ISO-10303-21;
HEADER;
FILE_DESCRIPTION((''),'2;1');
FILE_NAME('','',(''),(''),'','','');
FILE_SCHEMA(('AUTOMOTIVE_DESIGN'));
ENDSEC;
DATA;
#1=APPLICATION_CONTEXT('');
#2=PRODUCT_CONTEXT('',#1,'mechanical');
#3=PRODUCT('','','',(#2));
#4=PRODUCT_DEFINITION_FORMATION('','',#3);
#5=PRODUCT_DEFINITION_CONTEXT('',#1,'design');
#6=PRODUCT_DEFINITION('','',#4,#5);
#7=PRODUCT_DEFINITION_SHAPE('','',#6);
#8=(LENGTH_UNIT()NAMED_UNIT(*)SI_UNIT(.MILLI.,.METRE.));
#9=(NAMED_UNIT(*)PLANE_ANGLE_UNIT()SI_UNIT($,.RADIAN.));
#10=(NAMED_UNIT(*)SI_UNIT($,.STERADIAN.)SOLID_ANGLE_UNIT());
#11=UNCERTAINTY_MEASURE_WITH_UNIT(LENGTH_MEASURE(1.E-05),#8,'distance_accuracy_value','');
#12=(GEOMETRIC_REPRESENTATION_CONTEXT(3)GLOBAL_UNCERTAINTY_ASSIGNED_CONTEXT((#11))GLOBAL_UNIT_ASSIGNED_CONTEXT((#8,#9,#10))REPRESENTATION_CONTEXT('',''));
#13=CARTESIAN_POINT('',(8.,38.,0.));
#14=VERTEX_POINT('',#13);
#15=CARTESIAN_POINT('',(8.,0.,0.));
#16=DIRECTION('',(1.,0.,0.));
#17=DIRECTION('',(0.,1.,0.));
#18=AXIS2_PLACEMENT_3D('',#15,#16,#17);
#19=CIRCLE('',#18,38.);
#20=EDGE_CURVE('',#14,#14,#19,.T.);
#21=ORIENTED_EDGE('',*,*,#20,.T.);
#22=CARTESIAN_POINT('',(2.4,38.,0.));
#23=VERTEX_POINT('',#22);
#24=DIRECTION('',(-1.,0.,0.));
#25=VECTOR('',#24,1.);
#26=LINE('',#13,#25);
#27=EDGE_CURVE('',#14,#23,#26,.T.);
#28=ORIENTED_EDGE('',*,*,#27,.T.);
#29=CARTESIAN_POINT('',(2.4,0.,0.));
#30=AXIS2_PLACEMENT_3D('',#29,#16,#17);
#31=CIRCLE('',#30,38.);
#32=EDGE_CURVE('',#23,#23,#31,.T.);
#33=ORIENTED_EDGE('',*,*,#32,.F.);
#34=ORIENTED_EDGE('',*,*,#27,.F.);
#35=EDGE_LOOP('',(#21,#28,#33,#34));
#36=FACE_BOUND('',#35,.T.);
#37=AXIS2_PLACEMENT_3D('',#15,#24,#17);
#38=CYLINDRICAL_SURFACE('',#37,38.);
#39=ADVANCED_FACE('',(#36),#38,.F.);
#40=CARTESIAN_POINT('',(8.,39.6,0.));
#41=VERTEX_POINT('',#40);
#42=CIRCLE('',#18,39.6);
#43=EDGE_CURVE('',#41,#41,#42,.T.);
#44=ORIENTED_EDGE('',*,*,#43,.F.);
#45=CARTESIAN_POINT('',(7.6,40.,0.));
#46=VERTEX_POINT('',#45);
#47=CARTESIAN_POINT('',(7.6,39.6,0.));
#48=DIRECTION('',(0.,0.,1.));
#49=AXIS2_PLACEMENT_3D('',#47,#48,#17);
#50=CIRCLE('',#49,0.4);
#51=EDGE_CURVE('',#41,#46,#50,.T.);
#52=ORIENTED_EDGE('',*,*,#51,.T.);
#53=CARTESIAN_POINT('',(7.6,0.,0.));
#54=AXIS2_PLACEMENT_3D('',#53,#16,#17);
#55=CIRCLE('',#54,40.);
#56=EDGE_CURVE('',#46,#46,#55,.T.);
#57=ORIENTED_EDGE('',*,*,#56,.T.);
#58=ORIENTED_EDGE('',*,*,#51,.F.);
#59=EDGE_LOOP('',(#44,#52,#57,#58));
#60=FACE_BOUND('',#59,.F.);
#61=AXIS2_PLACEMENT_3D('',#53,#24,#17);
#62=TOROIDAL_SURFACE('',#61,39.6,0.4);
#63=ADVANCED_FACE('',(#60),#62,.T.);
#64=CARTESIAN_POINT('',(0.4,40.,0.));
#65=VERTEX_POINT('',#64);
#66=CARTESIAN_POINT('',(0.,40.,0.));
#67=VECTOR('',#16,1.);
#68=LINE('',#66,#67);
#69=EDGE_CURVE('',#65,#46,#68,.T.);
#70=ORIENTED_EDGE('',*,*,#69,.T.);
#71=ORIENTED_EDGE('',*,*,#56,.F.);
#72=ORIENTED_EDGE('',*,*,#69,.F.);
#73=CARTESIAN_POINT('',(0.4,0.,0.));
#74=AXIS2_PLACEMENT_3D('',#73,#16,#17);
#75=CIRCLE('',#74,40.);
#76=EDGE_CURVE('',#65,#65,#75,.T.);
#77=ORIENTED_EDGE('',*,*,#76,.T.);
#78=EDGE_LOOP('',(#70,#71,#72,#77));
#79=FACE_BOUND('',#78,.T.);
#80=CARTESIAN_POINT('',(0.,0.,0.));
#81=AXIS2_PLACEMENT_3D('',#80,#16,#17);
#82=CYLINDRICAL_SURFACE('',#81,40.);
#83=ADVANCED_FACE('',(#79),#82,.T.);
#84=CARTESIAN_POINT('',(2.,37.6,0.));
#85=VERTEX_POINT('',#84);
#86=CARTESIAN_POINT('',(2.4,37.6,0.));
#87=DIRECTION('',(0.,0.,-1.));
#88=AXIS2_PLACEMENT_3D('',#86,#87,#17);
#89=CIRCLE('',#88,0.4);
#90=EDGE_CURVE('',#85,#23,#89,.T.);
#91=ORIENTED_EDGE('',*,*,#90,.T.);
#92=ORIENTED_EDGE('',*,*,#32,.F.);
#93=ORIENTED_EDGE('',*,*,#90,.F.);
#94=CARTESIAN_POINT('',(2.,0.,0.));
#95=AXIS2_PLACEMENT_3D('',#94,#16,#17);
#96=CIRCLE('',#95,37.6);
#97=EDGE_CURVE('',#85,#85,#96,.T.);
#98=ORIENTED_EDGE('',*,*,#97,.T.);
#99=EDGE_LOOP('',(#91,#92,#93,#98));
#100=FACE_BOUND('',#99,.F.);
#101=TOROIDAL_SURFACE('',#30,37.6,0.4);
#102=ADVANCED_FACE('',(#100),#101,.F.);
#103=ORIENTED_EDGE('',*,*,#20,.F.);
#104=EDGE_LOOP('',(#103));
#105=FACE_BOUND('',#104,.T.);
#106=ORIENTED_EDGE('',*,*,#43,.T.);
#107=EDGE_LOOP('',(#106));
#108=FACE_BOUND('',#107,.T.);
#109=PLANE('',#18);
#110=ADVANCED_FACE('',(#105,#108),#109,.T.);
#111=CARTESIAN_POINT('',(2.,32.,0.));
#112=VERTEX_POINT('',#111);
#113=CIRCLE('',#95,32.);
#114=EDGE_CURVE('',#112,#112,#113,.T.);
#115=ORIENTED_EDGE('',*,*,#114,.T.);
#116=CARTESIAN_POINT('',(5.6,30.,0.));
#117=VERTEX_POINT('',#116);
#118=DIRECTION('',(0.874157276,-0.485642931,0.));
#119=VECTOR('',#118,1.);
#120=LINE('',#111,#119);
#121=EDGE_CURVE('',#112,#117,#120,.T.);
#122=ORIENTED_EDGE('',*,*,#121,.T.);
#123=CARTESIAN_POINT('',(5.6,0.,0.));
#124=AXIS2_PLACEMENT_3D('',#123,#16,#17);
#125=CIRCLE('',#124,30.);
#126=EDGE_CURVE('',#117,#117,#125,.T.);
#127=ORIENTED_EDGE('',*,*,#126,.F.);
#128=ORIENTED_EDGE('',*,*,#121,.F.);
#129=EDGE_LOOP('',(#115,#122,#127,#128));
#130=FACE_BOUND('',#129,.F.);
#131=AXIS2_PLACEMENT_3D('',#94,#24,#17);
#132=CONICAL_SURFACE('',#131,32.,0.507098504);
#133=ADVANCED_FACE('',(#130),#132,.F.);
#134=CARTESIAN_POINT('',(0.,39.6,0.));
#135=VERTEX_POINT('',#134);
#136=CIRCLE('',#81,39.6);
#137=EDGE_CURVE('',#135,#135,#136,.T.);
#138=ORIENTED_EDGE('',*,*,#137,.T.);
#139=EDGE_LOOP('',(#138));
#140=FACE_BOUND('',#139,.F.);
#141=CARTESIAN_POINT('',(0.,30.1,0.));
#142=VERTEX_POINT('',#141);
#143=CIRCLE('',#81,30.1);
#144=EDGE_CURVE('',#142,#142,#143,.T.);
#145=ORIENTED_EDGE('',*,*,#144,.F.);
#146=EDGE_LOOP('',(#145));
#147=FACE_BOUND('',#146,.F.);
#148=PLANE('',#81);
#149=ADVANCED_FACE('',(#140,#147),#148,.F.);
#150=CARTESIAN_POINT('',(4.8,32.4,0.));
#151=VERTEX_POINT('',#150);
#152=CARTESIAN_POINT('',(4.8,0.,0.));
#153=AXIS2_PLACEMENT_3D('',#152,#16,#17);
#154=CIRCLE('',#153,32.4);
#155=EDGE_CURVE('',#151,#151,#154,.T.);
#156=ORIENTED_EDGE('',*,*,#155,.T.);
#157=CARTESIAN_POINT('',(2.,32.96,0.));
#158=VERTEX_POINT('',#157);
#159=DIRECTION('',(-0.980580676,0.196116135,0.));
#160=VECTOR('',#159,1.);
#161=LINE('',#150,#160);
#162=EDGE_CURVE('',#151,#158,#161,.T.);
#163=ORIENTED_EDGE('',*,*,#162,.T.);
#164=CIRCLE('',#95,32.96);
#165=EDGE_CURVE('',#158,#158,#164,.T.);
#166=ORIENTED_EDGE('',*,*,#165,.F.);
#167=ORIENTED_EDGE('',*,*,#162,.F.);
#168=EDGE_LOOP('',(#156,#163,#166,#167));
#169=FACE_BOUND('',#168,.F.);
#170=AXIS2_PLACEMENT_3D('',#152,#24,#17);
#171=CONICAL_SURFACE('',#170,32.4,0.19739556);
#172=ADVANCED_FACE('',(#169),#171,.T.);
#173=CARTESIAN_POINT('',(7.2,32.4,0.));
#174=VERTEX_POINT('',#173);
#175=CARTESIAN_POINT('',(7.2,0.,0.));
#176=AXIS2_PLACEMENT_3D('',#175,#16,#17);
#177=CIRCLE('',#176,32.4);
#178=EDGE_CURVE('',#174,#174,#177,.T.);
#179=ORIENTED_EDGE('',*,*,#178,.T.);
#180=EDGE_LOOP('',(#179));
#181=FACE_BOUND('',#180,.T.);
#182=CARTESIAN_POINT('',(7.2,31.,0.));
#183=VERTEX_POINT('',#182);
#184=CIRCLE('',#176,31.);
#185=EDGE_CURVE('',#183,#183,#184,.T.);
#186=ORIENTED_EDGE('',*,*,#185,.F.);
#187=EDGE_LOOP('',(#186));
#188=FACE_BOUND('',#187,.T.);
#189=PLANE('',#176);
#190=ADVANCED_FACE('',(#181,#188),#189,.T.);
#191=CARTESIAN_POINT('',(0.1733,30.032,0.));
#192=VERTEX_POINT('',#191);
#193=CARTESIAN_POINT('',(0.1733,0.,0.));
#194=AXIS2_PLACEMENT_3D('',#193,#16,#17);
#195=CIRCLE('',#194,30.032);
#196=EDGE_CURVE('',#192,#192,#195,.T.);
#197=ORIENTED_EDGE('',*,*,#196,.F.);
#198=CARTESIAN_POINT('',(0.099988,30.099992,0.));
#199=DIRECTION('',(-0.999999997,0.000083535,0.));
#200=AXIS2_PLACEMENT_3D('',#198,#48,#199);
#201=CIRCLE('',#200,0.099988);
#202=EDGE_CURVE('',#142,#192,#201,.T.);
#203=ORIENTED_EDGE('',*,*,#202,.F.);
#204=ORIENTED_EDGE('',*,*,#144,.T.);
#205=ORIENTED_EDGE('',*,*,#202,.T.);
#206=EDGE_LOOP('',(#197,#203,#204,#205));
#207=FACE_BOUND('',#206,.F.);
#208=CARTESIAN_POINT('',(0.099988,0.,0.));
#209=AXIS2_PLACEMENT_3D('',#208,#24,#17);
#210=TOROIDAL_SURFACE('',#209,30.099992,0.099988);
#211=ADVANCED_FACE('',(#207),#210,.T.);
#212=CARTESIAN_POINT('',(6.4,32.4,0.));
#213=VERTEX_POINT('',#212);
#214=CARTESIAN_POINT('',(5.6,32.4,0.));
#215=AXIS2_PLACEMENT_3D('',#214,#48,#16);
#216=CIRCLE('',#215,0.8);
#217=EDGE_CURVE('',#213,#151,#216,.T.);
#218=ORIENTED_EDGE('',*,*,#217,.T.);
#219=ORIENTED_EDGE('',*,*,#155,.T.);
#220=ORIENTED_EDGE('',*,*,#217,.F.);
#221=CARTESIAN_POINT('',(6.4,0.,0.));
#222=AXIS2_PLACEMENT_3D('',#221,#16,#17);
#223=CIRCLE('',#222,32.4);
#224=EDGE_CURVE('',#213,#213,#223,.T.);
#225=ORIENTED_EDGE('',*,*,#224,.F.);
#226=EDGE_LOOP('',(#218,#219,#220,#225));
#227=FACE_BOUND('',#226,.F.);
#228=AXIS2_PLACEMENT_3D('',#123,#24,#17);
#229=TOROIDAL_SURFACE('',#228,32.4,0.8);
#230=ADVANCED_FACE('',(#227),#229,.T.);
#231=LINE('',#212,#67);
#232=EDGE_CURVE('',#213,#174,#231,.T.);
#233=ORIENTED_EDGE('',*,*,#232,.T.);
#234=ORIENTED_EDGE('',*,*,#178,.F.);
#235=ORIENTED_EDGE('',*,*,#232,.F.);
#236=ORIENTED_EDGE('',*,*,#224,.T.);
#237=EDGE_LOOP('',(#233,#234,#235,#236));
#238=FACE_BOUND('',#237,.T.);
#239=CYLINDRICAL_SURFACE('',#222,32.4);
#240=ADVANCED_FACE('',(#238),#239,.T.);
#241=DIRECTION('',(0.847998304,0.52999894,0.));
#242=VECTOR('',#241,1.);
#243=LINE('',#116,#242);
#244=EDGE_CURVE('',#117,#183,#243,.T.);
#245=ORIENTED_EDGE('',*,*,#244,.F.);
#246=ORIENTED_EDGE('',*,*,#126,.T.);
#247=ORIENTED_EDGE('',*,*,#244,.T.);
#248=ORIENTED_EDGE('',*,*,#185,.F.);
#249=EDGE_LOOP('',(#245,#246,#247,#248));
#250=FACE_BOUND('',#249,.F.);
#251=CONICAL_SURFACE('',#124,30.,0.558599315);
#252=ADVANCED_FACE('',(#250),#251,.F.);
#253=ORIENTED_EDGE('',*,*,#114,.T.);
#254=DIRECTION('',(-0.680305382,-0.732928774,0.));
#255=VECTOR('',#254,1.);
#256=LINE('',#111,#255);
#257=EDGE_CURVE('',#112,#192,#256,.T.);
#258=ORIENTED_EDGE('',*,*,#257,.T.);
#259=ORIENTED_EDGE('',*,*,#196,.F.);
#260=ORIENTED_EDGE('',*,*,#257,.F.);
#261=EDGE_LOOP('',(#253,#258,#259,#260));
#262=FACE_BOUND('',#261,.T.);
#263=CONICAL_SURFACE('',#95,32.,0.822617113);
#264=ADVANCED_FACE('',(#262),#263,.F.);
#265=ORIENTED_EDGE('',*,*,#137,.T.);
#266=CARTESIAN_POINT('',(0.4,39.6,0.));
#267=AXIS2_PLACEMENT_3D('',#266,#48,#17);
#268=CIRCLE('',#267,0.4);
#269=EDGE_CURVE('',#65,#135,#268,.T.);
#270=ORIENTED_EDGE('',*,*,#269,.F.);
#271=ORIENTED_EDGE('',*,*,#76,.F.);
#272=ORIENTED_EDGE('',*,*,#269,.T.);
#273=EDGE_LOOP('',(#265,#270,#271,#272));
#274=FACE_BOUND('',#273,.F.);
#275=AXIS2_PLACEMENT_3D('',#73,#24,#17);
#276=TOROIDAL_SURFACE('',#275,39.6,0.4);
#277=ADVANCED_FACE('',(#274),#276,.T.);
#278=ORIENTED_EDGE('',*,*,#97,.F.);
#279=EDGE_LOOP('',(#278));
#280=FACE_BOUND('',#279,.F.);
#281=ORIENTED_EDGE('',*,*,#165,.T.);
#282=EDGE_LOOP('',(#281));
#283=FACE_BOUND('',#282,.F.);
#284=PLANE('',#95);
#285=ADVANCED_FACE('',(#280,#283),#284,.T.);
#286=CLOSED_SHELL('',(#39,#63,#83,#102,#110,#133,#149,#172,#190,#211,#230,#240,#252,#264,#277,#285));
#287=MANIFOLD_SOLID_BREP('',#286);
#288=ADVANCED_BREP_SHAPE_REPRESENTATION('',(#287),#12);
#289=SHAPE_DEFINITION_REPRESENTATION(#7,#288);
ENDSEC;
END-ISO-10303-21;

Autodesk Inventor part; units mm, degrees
ref_plane "YZ Plane" through (0, 0, 0) normal (1, 0, 0) x (0, 1, 0)
ref_plane "XZ Plane" through (0, 0, 0) normal (0, 1, 0) x (-1, 0, 0)
ref_plane "XY Plane" through (0, 0, 0) normal (0, 0, 1) x (1, 0, 0)
sketch "Эскиз1" plane through (0, 0, 0) normal (0, 0, 1) x (1, 0, 0)
  circle A0 centre (5.6, 32.4) radius 0.52
  circle A1 centre (5.6, 32.4) radius 0.8
  line L0 (0, 40) -> (8, 40)
  line L1 (8, 38) -> (2, 38)
  line L2 (0, 0) -> (9.5856, 0)
  line L3 (2, 32) -> (5.6, 30)
  line L4 (5.6, 30) -> (7.2, 31)
  line L5 (5.6, 30) -> (0, 30) construction
  line L6 (0, 18) -> (0, -3) projected
  line L7 (-1.9415, 0) -> (11.5068, 0) projected
  line L8 (4.8, 32.4) -> (2, 32.96)
  line L9 (2, 32.96) -> (2, 38)
  line L10 (0, 40) -> (0, 30.1)
  line L11 (5.6, 30) -> (0, 30)
  line L12 (2, 32) -> (0.1733, 30.032)
  arc A2 (0, 30.1) -> (0.1733, 30.032) centre (0.1, 30.1) ccw
  line L13 (8, 40) -> (8, 38)
  line L14 (6.4, 32.4) -> (7.2, 32.4)
  line L15 (7.2, 32.4) -> (7.2, 31)
  point P0 (0, 29.8453)
  dimension "d0" = 80
  dimension "d1" = 2
  dimension "d2" = 1.04
  dimension "d3" = 1.6
  dimension "d4" = 60
  dimension "d5" = 64
  dimension "d7" = 65.92
  dimension "d8" = 2
  dimension "d9" = 5.6
  dimension "d10" = 64.8
  dimension "d11" = 0.1
  dimension "d12" = 7.2
  dimension "d13" = 62
  dimension "d14" = 8
revolve "Базовый элемент" add sketch "Эскиз1" angle 360 about axis through (0, 0, 0) along (1, 0, 0) contours L14 L15 L4 L3 L12 A2 L10 L0 L13 L1 L9 L8 A1
revolve "Пружинные1" add sketch "Эскиз1" angle 360 about axis through (0, 0, 0) along (1, 0, 0) contours A0 | A1
fillet "Сопряжение1" radius 0.4 3 edges at (8, -40, 0) (2, -38, 0) (0, -40, 0)
equation "\"d0\" = SD2"
equation "\"d1\" = SD"
equation "\"d2\" = SPDI"
equation "\"d3\" = SPDA"
equation "\"d4\" = NND"
equation "\"d5\" = TKDM"
equation "\"d7\" = TKDM + 0.24 * SWDT"
equation "\"d8\" = SD"
equation "\"d9\" = SPDST"
equation "\"d10\" = HLDM"
equation "\"d11\" = 0.25 * LAB"
equation "\"d12\" = SDI"
equation "\"d13\" = ABDM"
equation "\"d14\" = SWDT"
equation "\"d6\" = RR"
equation "\"SD2\" = 80"
equation "\"SWDT\" = 8"
equation "\"RR\" = 0.4"
equation "\"SD\" = 2"
equation "\"NND\" = 60"
equation "\"SPDA\" = 1.6"
equation "\"SPDI\" = 1.04"
equation "\"TKDM\" = 64"
equation "\"HLDM\" = 64.8"
equation "\"ABDM\" = 62"
equation "\"SDI\" = 7.2"
equation "\"SPDST\" = 5.6"
equation "\"LAB\" = 0.4"
properties part number "Манжет 2-60x80x8 ГОСТ 8752-79" material "Резина"
